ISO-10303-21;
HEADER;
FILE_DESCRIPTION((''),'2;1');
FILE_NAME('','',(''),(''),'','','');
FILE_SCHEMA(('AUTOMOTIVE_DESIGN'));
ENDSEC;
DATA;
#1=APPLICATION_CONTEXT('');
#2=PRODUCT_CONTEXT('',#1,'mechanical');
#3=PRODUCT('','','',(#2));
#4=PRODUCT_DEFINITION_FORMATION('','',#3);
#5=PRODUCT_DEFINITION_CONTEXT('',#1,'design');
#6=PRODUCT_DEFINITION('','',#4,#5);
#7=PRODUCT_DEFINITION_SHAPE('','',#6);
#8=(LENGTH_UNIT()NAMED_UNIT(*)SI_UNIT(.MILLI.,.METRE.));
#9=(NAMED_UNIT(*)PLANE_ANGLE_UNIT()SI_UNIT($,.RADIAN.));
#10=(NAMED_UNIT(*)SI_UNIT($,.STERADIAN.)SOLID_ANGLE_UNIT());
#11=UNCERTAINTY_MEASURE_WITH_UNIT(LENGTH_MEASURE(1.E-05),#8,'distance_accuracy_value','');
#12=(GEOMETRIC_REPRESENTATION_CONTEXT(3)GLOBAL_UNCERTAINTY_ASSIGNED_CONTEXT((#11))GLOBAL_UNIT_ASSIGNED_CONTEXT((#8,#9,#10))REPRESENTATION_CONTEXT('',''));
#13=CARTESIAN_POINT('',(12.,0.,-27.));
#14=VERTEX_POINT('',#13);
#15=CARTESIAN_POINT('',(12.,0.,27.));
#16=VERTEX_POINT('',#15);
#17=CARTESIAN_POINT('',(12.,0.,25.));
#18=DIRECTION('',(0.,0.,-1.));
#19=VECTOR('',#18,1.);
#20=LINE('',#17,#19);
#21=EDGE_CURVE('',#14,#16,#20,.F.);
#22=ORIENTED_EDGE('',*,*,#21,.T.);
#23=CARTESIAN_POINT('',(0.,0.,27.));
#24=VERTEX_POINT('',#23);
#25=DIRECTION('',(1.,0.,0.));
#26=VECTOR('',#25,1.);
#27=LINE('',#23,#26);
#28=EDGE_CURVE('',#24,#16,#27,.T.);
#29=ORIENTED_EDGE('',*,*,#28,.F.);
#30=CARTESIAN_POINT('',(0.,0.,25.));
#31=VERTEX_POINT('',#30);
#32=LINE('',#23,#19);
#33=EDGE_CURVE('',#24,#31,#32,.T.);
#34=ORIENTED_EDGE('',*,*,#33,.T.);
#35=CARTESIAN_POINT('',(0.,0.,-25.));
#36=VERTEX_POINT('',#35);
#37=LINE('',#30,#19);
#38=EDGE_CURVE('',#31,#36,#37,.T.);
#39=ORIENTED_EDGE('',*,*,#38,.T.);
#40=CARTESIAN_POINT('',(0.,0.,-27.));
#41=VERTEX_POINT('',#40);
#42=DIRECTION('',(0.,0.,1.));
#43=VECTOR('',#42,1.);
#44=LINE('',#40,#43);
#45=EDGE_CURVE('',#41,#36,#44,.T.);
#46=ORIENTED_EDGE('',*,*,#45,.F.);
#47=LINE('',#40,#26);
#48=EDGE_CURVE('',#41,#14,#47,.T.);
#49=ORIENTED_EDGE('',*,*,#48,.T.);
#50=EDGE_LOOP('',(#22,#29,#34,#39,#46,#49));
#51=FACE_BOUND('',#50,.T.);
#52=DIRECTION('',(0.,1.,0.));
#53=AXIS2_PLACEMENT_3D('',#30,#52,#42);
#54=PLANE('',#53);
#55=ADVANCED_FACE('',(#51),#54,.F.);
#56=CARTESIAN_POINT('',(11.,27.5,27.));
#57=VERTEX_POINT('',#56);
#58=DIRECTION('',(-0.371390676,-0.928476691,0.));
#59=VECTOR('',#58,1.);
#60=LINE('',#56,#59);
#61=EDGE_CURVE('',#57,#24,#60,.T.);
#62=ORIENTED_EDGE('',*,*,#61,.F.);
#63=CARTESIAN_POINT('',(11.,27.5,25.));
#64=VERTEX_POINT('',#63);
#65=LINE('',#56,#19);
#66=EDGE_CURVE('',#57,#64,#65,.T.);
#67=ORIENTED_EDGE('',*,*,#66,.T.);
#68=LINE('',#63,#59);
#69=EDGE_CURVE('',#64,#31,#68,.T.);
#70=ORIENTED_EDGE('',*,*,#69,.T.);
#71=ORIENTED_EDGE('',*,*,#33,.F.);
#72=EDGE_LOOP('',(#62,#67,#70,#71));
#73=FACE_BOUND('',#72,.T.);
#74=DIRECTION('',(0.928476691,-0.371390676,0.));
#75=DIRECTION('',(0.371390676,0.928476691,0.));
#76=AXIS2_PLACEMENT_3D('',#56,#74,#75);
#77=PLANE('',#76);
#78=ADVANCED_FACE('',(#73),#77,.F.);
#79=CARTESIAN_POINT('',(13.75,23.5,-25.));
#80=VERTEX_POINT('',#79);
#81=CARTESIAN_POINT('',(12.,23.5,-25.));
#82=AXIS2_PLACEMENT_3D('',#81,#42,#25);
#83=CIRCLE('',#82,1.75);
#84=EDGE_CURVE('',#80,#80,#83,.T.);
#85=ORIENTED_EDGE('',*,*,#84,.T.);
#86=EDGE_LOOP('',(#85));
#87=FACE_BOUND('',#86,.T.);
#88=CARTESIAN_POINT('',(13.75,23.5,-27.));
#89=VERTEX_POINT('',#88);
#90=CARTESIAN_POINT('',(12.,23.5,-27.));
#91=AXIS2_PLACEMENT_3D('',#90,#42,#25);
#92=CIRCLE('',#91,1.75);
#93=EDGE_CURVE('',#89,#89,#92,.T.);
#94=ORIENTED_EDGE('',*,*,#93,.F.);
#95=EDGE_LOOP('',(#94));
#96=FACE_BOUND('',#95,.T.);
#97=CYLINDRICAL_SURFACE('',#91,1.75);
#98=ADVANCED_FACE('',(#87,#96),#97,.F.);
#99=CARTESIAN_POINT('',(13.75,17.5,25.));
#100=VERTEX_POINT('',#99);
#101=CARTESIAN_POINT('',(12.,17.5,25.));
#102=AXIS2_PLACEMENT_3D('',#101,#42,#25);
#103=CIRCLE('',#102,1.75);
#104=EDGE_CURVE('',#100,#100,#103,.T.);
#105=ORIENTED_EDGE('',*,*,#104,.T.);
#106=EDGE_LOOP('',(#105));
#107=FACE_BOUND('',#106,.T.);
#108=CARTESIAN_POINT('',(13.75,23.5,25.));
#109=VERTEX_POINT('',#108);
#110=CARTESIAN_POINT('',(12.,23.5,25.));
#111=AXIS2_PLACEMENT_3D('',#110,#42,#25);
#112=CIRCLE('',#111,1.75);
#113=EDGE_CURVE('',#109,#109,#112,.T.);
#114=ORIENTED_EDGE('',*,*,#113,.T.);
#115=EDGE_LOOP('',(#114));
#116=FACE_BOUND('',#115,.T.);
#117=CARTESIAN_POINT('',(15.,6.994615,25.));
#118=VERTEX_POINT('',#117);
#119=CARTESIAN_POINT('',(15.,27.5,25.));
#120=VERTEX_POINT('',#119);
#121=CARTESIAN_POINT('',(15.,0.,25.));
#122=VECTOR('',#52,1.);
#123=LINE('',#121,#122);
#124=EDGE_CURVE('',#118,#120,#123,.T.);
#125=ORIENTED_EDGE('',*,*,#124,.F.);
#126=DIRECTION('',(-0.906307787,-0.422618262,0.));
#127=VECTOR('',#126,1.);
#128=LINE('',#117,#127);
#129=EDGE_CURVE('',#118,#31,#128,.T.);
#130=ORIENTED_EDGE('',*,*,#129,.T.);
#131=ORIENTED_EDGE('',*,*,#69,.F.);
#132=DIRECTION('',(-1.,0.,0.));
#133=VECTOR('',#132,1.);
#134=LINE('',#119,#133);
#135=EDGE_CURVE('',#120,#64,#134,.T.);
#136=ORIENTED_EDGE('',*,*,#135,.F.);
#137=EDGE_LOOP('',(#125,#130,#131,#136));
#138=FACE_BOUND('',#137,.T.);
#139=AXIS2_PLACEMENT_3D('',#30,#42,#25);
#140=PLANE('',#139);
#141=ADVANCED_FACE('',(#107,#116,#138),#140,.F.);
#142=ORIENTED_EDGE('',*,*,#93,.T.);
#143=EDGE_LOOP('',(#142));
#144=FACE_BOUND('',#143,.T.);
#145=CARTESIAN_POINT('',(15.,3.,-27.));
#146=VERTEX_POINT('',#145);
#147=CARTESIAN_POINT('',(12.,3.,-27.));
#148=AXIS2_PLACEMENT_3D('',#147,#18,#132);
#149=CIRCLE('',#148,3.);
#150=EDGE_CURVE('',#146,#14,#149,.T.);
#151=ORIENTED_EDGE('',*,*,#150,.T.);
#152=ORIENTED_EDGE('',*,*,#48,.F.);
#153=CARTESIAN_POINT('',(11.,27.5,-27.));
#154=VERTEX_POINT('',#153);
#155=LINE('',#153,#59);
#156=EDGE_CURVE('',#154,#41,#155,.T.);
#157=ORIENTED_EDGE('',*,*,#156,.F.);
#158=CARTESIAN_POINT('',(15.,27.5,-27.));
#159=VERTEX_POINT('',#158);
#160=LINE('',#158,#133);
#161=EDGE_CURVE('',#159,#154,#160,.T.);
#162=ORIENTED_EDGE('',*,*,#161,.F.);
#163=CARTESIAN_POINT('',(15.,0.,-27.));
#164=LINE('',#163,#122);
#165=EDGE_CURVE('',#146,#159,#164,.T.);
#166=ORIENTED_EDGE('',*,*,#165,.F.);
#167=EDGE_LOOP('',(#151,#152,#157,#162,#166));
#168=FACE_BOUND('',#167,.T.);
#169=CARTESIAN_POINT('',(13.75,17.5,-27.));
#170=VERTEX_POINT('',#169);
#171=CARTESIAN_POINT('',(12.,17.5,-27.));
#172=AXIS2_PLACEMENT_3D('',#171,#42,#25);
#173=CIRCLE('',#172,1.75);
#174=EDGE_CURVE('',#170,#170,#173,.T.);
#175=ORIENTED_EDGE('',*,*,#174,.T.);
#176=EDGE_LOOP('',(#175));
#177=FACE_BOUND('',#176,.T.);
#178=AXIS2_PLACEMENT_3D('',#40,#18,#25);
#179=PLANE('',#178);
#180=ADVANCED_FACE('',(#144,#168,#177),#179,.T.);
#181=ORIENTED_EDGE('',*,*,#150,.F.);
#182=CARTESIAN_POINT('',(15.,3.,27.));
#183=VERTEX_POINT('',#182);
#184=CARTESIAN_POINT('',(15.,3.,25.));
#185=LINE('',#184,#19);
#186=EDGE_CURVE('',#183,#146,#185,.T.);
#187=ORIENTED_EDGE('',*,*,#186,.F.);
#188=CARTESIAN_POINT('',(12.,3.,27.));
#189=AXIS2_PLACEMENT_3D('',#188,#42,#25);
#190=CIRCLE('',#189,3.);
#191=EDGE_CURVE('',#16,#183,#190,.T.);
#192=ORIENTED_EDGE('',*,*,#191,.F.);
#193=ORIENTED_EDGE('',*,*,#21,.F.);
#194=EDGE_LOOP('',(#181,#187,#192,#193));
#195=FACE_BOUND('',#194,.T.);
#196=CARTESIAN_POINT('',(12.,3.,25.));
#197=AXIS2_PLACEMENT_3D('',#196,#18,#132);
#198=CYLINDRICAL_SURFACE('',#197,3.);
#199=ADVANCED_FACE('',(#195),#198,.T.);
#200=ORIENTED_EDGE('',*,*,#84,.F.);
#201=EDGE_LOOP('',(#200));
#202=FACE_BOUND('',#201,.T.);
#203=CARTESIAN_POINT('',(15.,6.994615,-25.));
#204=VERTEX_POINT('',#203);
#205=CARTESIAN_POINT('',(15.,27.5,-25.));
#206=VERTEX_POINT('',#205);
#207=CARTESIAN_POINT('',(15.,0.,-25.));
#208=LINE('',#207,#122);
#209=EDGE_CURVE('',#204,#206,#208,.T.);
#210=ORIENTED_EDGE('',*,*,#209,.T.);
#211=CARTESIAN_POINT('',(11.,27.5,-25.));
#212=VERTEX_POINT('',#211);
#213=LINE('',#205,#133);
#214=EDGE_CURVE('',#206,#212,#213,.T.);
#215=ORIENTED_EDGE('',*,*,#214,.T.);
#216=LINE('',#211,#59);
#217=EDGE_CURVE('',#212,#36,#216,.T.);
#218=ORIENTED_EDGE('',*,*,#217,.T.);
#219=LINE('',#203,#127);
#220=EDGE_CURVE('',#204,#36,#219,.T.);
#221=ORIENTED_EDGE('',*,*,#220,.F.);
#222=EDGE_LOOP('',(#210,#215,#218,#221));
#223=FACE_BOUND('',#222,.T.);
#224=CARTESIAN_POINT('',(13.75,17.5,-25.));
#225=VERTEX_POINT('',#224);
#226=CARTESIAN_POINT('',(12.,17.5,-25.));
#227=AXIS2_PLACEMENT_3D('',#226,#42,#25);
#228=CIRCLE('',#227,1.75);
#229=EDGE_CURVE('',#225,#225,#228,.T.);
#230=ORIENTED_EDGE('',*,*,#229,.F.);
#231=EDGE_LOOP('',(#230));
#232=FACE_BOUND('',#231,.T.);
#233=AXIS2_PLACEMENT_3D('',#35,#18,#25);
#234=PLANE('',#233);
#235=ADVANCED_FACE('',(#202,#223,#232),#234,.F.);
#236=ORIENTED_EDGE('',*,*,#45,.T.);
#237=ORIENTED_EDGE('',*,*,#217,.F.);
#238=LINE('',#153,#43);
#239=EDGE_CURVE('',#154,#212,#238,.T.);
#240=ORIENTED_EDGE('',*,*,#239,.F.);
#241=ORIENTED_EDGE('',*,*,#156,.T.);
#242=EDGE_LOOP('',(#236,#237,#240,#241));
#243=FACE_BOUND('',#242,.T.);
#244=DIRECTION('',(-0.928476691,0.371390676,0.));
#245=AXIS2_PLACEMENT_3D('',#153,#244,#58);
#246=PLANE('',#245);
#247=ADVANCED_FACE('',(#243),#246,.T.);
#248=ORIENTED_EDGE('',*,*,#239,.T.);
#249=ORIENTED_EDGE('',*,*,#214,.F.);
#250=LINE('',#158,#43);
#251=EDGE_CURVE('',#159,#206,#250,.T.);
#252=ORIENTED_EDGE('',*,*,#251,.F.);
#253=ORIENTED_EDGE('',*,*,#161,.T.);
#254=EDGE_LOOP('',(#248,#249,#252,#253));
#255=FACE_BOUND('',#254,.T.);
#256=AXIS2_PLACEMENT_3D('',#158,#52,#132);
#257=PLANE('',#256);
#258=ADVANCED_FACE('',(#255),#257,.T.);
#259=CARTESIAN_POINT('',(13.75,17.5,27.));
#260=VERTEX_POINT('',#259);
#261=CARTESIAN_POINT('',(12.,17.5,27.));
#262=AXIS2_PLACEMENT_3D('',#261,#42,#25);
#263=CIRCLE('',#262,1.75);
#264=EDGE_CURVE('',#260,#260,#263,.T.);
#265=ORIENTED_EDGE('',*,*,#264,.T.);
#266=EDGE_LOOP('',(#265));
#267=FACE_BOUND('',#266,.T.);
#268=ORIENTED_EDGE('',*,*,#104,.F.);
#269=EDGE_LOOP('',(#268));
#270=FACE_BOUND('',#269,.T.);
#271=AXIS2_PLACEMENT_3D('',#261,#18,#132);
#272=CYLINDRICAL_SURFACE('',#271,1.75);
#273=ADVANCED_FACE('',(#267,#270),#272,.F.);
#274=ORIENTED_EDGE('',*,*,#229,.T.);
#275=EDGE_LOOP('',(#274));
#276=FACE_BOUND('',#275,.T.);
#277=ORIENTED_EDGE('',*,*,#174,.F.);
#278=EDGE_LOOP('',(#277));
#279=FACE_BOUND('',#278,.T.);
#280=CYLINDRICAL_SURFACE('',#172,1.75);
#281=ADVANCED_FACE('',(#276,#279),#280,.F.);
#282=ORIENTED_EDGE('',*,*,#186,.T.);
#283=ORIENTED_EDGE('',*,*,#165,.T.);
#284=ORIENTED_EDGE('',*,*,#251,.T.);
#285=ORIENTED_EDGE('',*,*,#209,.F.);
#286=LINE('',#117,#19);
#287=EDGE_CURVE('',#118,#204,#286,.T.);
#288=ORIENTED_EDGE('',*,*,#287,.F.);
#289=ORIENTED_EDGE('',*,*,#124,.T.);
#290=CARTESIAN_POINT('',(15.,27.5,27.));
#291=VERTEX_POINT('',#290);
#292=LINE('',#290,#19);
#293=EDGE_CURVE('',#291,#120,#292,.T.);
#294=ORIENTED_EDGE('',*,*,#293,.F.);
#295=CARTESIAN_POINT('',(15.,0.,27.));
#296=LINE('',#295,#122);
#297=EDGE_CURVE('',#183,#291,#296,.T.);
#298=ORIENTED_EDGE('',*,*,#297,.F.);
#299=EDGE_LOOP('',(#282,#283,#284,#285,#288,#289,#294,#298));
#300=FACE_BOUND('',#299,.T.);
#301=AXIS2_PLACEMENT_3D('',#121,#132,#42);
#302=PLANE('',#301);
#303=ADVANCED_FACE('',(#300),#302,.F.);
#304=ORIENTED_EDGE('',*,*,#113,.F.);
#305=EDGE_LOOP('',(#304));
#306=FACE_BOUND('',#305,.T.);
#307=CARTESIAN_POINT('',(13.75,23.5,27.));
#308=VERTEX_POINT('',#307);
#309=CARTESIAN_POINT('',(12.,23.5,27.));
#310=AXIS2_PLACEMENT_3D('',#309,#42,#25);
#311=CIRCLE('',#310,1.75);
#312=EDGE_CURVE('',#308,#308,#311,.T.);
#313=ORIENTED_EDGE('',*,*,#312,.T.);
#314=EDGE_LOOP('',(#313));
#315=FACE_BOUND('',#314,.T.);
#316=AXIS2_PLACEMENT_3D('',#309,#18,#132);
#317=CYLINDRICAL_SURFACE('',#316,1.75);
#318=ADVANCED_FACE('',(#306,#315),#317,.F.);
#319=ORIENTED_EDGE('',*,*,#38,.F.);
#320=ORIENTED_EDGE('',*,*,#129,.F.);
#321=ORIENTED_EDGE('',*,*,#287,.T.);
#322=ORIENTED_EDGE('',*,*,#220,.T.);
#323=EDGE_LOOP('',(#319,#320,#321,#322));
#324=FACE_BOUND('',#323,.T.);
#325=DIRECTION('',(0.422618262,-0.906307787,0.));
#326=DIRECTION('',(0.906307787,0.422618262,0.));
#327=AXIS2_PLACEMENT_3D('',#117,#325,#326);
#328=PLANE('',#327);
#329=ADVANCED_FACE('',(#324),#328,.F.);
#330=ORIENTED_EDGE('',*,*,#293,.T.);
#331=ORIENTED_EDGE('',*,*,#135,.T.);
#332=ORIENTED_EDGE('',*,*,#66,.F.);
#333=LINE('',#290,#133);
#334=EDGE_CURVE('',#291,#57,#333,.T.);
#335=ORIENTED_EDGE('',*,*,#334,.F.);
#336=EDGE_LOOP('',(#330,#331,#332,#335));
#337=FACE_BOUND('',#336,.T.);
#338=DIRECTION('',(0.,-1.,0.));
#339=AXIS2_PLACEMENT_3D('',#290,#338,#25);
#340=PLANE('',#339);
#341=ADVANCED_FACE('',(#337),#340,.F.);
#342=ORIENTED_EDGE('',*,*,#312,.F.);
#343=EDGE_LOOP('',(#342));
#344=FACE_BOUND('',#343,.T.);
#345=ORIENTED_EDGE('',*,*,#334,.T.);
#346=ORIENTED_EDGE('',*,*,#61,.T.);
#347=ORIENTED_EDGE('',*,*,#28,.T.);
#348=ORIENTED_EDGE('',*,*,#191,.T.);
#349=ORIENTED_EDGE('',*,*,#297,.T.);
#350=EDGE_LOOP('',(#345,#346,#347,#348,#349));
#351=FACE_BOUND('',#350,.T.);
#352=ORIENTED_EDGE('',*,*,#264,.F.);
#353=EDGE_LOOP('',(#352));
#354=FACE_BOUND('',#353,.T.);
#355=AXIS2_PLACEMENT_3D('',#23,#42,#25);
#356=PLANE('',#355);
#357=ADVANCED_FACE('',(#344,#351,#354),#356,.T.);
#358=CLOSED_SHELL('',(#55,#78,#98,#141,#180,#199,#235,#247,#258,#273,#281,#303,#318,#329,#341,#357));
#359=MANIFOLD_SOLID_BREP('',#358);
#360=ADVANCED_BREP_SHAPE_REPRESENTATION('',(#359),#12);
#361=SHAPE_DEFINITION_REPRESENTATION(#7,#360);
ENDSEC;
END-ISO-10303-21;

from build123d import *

# Parameters (mm, degrees)
BOSS_EXTRUDE1_DEPTH = 25
SKETCH2_R           = 1.75
BOSS_EXTRUDE2_DEPTH = 2
FILLET1_R           = 3


with BuildPart() as part:
    # Sketch1 → Boss-Extrude1 (new, symmetric)
    with BuildSketch(Plane.XY):
        Polygon((0, 0), (15, 0), (15, 6.994614872), align=None)
    extrude(amount=BOSS_EXTRUDE1_DEPTH, both=True)

    # Sketch2 → Boss-Extrude2 (add)
    with BuildSketch(Plane.XY.offset(25)):
        Polygon((15, 0), (15, 27.5), (11, 27.5), (0, 0), align=None)
        with Locations((12, 23.5)):
            Circle(SKETCH2_R, mode=Mode.SUBTRACT)
        with Locations((12, 17.5)):
            Circle(SKETCH2_R, mode=Mode.SUBTRACT)
    boss_extrude2 = extrude(amount=BOSS_EXTRUDE2_DEPTH)

    # Mirror1: Boss-Extrude2 across plane
    add(boss_extrude2.mirror(Plane.XY))

    # Fillet1
    fillet1_edges = [part.edges().sort_by_distance(p)[0] for p in [
        (15, 0, 0),
    ]]
    fillet(fillet1_edges, radius=FILLET1_R)


solid = part.part
